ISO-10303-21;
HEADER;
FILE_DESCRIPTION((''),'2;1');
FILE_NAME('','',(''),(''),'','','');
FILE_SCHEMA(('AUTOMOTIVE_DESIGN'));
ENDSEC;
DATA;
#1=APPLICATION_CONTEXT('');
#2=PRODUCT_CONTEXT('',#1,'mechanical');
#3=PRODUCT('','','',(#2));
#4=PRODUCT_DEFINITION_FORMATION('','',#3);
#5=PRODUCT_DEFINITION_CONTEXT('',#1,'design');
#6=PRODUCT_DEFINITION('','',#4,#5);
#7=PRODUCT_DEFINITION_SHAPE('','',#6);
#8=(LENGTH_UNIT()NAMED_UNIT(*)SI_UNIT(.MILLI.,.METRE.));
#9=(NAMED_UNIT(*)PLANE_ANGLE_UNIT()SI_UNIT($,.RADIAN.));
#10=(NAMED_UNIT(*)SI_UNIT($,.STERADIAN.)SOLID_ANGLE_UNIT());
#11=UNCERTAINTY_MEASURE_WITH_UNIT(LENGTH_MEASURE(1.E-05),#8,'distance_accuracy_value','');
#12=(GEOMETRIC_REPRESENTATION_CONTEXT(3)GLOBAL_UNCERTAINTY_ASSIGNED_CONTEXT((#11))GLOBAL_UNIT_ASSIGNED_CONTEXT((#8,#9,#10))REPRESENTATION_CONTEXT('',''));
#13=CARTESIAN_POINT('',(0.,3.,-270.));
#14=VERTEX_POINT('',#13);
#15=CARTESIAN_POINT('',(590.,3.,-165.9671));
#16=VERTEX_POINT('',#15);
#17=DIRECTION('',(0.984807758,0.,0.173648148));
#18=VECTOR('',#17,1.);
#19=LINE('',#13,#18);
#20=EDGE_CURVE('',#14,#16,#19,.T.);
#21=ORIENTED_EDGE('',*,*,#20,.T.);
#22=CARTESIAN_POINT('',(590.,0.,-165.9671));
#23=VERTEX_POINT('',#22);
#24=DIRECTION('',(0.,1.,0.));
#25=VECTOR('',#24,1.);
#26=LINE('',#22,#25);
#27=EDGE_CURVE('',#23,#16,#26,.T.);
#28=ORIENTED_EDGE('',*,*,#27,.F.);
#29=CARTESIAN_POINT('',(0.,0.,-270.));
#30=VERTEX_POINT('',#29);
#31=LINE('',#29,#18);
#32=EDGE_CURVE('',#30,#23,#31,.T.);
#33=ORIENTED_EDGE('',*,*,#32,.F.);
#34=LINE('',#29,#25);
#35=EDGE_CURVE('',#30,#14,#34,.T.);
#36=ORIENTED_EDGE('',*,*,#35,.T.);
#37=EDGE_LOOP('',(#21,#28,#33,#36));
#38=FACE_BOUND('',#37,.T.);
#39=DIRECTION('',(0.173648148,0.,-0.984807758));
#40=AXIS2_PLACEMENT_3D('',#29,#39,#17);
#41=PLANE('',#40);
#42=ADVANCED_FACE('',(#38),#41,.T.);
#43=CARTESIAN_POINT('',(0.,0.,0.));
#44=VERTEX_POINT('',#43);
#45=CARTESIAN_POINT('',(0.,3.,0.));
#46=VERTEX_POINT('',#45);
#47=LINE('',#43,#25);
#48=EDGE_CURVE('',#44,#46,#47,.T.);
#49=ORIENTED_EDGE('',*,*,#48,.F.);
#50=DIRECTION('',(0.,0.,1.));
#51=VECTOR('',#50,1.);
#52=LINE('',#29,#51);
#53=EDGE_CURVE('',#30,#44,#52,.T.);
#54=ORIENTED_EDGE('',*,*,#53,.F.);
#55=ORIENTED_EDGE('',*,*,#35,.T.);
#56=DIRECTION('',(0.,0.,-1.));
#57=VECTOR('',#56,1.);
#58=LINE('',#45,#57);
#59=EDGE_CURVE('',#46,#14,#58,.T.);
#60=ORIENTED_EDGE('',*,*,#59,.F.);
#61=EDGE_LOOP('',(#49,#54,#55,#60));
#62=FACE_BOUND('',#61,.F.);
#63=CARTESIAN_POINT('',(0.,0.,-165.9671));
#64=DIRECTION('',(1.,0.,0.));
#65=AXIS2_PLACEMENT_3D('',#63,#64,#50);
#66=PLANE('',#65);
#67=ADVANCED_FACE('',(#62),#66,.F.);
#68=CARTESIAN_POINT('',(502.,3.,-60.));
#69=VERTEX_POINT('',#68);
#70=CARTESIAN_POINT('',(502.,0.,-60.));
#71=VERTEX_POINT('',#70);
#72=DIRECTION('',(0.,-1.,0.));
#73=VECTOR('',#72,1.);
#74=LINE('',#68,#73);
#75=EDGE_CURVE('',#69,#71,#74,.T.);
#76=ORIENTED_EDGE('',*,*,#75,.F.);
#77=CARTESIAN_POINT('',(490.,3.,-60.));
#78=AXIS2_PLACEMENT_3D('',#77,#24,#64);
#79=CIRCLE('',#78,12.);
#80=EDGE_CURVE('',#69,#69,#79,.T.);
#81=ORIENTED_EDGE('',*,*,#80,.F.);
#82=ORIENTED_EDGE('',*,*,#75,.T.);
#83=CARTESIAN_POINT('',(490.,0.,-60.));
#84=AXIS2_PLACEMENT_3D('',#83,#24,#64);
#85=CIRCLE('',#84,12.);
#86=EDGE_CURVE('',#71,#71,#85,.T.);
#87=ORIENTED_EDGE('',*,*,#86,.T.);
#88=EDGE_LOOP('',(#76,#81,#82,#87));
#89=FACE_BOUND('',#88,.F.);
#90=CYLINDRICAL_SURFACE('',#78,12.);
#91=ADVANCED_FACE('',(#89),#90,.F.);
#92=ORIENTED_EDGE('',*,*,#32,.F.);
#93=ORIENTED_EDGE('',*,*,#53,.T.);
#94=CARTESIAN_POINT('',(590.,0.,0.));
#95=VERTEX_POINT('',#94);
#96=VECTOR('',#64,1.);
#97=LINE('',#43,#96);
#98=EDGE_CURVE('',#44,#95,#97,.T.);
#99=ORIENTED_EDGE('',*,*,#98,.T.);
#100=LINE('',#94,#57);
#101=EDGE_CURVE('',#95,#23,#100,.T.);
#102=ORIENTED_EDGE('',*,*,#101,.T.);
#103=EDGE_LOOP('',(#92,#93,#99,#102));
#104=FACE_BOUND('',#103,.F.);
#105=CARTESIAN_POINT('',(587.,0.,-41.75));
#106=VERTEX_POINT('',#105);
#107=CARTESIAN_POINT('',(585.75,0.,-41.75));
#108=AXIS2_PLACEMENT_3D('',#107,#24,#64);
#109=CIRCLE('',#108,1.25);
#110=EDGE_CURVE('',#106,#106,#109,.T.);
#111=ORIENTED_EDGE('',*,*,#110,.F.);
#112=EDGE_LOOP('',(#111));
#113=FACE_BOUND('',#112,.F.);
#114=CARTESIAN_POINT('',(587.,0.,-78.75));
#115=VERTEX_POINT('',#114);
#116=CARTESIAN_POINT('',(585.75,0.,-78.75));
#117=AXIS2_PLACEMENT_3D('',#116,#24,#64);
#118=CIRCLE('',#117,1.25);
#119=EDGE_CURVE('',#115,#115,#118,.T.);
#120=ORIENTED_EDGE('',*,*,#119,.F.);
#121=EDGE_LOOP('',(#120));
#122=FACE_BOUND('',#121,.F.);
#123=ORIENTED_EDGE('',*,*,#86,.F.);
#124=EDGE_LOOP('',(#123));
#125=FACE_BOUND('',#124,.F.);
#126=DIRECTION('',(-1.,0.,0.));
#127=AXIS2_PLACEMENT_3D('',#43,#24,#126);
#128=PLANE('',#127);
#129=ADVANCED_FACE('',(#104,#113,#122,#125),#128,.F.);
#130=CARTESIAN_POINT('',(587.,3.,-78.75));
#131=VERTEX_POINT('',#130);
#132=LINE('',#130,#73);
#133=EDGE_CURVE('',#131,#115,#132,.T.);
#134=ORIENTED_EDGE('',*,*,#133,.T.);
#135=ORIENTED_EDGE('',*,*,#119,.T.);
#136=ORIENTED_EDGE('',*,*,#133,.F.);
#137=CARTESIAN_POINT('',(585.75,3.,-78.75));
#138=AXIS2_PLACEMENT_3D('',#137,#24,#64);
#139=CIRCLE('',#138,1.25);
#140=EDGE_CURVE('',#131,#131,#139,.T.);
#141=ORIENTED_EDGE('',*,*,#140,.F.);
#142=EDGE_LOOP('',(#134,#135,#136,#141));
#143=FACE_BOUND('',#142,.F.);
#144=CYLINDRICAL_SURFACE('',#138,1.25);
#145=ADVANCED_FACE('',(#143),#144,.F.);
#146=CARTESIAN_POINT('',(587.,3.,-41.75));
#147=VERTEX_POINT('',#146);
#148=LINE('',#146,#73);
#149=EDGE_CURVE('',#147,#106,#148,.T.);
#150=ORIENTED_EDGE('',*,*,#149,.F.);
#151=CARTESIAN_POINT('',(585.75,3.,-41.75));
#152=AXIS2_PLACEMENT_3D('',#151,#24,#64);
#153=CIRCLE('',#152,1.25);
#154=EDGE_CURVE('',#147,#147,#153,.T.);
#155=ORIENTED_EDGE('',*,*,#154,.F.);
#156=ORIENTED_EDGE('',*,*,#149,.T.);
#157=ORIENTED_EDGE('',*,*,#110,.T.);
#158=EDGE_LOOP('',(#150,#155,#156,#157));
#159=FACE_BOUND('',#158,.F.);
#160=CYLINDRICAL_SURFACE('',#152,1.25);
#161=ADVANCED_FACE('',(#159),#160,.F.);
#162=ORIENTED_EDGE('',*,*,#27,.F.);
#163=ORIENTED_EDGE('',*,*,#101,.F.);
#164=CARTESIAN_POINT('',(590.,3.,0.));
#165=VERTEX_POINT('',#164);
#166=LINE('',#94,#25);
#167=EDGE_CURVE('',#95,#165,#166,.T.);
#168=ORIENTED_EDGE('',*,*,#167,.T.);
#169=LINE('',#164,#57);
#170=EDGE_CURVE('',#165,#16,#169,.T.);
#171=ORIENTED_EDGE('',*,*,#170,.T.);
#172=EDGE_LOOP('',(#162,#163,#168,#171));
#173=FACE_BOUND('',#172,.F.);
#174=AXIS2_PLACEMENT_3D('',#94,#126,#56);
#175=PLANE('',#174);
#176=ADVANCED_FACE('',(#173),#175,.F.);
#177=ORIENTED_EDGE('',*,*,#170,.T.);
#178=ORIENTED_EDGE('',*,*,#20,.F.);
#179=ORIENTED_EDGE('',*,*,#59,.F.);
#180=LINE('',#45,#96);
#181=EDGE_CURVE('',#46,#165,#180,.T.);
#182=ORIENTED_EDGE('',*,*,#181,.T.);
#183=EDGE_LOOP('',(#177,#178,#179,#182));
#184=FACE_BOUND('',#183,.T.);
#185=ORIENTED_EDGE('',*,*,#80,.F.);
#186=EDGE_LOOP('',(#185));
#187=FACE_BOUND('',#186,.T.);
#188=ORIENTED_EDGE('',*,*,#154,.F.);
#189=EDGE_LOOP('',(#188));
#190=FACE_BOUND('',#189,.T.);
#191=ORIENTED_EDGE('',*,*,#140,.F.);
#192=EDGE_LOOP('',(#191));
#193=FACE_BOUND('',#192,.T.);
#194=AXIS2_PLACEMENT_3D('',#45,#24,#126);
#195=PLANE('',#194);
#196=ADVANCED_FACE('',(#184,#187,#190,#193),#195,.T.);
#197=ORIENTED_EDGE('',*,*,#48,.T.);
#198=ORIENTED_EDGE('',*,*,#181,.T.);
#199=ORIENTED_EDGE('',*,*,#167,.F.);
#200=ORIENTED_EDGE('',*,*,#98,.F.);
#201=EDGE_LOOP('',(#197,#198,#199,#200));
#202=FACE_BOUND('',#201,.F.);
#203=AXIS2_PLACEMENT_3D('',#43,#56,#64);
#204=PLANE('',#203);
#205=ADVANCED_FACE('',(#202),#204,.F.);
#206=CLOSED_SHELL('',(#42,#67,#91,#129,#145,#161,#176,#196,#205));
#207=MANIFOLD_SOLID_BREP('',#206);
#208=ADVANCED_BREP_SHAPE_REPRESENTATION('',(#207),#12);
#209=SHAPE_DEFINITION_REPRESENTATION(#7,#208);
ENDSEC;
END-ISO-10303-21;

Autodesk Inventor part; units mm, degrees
ref_plane "YZ Plane" through (0, 0, 0) normal (1, 0, 0) x (0, 1, 0)
ref_plane "XZ Plane" through (0, 0, 0) normal (0, 1, 0) x (-1, 0, 0)
ref_plane "XY Plane" through (0, 0, 0) normal (0, 0, 1) x (1, 0, 0)
sketch "Sketch1" plane through (0, 0, 0) normal (0, 1, 0) x (-1, 0, 0)
  line L0 (0, 0) -> (-590, 0)
  line L1 (-590, 0) -> (-590, -165.9671)
  line L2 (-590, -165.9671) -> (0, -165.9671)
  line L3 (0, -165.9671) -> (0, 0)
  line L4 (0, -165.9671) -> (0, -270)
  line L5 (0, -270) -> (-590, -165.9671)
  dimension "d0" = 590
  dimension "d28" = 270
  dimension "d29" = 10
extrude "Extrusion1" add sketch "Sketch1" along normal blind 3
sketch "Sketch3" plane through (0, 3, 0) normal (0, 1, 0) x (1, 0, 0)
  circle A0 centre (585.75, 41.75) radius 1.25
  circle A1 centre (585.75, 78.75) radius 1.25
  line L0 (590, 0) -> (590, 165.9671) projected
  line L1 (0, 0) -> (590, 0) projected
  dimension "d15" = 2.5
  dimension "d16" = 4.25
  dimension "d17" = 4.25
  dimension "d18" = 2.5
  dimension "d19" = 41.75
  dimension "d20" = 37
extrude "Extrusion3" cut sketch "Sketch3" along normal through all both and the other way through all
sketch "Sketch4" plane through (0, 3, 0) normal (0, 1, 0) x (1, 0, 0)
  circle A0 centre (490, 60) radius 12
  line L0 (0, 0) -> (590, 0) projected
  line L1 (590, 0) -> (590, 165.9671) projected
  dimension "d23" = 24
  dimension "d24" = 60
  dimension "d25" = 100
extrude "Extrusion4" cut sketch "Sketch4" against normal through all
equation "\"d16\" = d17"
equation "\"d18\" = d15"
properties part number "pinball-case-left-wall-outer"
